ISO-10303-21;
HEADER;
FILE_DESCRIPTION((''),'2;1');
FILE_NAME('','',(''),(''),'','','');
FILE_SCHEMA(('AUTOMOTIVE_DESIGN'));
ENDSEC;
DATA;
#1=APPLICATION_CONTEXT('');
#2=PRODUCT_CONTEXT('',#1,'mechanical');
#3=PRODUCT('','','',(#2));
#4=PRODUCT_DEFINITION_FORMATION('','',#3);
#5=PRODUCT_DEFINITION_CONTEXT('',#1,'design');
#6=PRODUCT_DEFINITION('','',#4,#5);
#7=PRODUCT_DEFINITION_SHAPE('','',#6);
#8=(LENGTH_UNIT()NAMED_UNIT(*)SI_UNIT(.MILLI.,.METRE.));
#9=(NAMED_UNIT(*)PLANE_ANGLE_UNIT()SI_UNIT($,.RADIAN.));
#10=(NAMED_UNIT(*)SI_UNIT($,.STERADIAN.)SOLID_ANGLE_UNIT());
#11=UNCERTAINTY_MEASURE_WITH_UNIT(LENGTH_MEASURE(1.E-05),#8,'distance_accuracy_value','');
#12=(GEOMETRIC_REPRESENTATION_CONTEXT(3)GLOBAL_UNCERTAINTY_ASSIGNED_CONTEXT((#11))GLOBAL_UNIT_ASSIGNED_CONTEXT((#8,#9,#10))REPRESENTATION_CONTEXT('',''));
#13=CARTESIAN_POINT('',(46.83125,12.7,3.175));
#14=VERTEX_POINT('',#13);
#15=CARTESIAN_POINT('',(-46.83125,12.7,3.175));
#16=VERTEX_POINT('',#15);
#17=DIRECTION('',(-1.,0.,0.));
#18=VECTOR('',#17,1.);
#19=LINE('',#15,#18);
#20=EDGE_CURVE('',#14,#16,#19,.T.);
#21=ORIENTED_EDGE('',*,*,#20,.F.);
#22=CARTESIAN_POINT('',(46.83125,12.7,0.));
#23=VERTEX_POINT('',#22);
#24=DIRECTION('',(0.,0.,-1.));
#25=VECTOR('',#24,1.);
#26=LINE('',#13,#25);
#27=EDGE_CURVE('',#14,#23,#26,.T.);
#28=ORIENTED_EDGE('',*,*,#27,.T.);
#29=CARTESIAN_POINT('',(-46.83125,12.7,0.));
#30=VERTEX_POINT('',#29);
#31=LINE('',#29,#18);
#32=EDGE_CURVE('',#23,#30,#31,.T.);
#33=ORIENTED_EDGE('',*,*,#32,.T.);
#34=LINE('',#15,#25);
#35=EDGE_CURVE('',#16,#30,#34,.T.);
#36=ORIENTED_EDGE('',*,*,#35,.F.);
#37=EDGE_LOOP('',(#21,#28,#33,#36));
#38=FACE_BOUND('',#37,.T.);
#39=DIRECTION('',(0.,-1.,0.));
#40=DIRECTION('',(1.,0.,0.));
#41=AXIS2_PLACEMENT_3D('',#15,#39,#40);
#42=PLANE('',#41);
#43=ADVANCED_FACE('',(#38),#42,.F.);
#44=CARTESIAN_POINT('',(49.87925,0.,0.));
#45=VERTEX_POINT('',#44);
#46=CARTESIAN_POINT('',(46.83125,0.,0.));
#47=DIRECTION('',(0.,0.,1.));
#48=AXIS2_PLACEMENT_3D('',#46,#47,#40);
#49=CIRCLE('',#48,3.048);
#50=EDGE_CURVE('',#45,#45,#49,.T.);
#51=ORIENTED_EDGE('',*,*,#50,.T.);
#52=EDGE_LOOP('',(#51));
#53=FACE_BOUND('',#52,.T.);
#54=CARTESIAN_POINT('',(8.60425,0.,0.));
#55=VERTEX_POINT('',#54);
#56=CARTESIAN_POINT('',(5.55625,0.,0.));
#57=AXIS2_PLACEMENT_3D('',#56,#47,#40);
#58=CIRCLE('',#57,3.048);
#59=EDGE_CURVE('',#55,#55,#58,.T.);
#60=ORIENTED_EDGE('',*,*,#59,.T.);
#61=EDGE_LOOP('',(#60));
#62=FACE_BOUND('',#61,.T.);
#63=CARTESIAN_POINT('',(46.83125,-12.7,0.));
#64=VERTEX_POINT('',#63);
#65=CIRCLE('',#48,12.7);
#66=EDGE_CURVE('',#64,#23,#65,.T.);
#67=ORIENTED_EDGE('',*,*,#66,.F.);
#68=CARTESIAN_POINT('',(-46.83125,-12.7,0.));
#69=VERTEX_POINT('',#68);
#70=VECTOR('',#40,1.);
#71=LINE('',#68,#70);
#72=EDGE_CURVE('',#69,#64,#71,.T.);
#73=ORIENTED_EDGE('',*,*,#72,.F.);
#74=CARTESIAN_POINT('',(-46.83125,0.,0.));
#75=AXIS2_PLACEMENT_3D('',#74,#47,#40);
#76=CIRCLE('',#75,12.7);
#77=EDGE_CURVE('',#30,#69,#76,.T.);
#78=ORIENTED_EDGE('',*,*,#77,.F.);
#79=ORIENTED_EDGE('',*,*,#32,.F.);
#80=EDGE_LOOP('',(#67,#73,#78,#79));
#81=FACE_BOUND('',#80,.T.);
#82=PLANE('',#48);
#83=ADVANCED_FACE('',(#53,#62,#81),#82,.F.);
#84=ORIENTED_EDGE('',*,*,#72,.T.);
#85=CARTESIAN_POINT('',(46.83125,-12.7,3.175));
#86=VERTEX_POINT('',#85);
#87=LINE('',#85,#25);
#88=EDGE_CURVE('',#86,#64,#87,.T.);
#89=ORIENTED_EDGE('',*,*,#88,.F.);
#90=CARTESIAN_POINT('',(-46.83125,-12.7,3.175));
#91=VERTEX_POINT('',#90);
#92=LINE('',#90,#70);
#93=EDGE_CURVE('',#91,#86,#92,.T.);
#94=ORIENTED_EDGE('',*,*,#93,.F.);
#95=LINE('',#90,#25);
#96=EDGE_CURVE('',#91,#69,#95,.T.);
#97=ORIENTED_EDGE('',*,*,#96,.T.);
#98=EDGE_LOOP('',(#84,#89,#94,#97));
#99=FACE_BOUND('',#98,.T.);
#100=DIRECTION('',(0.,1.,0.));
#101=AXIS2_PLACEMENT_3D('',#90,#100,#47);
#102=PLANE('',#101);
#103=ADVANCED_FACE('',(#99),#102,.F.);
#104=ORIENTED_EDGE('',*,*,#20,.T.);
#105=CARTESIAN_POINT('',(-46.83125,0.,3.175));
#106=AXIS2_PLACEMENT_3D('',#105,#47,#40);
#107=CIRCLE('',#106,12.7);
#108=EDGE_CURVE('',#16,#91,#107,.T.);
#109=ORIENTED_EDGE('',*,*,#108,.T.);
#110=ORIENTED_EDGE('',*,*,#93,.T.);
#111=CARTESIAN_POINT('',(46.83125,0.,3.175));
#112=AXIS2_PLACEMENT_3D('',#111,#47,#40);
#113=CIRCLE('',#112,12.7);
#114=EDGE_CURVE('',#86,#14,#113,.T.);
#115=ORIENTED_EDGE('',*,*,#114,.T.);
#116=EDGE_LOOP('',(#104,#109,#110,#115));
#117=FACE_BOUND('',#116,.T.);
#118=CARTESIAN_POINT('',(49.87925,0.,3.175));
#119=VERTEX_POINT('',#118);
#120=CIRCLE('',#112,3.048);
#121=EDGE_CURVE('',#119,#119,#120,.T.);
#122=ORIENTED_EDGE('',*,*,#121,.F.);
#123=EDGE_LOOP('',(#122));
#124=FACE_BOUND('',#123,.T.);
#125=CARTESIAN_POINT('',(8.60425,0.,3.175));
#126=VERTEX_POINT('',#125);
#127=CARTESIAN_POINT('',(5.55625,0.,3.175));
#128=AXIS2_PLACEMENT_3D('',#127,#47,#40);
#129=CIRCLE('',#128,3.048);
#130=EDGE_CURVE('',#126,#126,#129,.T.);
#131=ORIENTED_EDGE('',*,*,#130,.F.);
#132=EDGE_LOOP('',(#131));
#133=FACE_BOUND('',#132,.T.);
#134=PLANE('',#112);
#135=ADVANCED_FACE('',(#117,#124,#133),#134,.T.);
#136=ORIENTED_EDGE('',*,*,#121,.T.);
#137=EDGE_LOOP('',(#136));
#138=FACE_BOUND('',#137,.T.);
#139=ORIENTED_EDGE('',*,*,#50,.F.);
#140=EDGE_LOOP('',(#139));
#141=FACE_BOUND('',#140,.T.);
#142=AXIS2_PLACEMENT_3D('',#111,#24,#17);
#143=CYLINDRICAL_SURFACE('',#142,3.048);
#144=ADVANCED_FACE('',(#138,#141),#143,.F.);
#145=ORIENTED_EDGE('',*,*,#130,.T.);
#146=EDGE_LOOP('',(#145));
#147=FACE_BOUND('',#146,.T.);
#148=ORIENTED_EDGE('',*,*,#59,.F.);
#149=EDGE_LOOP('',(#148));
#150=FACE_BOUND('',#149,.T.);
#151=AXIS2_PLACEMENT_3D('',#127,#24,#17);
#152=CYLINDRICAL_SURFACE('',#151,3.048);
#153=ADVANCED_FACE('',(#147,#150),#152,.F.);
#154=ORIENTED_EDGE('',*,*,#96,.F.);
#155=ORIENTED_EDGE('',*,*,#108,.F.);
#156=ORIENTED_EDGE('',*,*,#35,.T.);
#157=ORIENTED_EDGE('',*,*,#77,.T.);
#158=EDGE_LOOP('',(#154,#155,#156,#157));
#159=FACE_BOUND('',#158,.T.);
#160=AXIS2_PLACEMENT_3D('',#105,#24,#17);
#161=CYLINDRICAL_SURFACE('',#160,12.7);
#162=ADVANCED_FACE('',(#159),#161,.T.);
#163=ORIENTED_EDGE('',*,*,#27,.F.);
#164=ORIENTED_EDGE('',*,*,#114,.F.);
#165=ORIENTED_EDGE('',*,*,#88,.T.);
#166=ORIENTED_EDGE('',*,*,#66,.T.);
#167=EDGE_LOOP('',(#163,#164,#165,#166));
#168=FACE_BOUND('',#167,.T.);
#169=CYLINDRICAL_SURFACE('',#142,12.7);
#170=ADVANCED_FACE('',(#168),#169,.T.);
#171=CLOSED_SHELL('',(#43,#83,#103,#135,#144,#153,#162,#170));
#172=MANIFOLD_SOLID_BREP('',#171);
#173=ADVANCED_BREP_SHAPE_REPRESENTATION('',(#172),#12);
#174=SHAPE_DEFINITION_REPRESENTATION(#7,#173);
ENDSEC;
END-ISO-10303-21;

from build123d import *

# Parameters (mm, degrees)
SKETCH1_R           = 3.048
BOSS_EXTRUDE1_DEPTH = 3.175


with BuildPart() as part:
    # Sketch1 → Boss-Extrude1 (new body)
    with BuildSketch(Plane.XY):
        with BuildLine():
            Line((-46.83125, -12.7), (46.83125, -12.7))
            ThreePointArc((46.83125, -12.7), (59.53125, 0), (46.83125, 12.7))
            Line((46.83125, 12.7), (-46.83125, 12.7))
            ThreePointArc((-46.83125, 12.7), (-59.53125, 0), (-46.83125, -12.7))
        make_face()
        with Locations((46.83125, 0)):
            Circle(SKETCH1_R, mode=Mode.SUBTRACT)
        with Locations((5.55625, 0)):
            Circle(SKETCH1_R, mode=Mode.SUBTRACT)
    extrude(amount=BOSS_EXTRUDE1_DEPTH)


solid = part.part
